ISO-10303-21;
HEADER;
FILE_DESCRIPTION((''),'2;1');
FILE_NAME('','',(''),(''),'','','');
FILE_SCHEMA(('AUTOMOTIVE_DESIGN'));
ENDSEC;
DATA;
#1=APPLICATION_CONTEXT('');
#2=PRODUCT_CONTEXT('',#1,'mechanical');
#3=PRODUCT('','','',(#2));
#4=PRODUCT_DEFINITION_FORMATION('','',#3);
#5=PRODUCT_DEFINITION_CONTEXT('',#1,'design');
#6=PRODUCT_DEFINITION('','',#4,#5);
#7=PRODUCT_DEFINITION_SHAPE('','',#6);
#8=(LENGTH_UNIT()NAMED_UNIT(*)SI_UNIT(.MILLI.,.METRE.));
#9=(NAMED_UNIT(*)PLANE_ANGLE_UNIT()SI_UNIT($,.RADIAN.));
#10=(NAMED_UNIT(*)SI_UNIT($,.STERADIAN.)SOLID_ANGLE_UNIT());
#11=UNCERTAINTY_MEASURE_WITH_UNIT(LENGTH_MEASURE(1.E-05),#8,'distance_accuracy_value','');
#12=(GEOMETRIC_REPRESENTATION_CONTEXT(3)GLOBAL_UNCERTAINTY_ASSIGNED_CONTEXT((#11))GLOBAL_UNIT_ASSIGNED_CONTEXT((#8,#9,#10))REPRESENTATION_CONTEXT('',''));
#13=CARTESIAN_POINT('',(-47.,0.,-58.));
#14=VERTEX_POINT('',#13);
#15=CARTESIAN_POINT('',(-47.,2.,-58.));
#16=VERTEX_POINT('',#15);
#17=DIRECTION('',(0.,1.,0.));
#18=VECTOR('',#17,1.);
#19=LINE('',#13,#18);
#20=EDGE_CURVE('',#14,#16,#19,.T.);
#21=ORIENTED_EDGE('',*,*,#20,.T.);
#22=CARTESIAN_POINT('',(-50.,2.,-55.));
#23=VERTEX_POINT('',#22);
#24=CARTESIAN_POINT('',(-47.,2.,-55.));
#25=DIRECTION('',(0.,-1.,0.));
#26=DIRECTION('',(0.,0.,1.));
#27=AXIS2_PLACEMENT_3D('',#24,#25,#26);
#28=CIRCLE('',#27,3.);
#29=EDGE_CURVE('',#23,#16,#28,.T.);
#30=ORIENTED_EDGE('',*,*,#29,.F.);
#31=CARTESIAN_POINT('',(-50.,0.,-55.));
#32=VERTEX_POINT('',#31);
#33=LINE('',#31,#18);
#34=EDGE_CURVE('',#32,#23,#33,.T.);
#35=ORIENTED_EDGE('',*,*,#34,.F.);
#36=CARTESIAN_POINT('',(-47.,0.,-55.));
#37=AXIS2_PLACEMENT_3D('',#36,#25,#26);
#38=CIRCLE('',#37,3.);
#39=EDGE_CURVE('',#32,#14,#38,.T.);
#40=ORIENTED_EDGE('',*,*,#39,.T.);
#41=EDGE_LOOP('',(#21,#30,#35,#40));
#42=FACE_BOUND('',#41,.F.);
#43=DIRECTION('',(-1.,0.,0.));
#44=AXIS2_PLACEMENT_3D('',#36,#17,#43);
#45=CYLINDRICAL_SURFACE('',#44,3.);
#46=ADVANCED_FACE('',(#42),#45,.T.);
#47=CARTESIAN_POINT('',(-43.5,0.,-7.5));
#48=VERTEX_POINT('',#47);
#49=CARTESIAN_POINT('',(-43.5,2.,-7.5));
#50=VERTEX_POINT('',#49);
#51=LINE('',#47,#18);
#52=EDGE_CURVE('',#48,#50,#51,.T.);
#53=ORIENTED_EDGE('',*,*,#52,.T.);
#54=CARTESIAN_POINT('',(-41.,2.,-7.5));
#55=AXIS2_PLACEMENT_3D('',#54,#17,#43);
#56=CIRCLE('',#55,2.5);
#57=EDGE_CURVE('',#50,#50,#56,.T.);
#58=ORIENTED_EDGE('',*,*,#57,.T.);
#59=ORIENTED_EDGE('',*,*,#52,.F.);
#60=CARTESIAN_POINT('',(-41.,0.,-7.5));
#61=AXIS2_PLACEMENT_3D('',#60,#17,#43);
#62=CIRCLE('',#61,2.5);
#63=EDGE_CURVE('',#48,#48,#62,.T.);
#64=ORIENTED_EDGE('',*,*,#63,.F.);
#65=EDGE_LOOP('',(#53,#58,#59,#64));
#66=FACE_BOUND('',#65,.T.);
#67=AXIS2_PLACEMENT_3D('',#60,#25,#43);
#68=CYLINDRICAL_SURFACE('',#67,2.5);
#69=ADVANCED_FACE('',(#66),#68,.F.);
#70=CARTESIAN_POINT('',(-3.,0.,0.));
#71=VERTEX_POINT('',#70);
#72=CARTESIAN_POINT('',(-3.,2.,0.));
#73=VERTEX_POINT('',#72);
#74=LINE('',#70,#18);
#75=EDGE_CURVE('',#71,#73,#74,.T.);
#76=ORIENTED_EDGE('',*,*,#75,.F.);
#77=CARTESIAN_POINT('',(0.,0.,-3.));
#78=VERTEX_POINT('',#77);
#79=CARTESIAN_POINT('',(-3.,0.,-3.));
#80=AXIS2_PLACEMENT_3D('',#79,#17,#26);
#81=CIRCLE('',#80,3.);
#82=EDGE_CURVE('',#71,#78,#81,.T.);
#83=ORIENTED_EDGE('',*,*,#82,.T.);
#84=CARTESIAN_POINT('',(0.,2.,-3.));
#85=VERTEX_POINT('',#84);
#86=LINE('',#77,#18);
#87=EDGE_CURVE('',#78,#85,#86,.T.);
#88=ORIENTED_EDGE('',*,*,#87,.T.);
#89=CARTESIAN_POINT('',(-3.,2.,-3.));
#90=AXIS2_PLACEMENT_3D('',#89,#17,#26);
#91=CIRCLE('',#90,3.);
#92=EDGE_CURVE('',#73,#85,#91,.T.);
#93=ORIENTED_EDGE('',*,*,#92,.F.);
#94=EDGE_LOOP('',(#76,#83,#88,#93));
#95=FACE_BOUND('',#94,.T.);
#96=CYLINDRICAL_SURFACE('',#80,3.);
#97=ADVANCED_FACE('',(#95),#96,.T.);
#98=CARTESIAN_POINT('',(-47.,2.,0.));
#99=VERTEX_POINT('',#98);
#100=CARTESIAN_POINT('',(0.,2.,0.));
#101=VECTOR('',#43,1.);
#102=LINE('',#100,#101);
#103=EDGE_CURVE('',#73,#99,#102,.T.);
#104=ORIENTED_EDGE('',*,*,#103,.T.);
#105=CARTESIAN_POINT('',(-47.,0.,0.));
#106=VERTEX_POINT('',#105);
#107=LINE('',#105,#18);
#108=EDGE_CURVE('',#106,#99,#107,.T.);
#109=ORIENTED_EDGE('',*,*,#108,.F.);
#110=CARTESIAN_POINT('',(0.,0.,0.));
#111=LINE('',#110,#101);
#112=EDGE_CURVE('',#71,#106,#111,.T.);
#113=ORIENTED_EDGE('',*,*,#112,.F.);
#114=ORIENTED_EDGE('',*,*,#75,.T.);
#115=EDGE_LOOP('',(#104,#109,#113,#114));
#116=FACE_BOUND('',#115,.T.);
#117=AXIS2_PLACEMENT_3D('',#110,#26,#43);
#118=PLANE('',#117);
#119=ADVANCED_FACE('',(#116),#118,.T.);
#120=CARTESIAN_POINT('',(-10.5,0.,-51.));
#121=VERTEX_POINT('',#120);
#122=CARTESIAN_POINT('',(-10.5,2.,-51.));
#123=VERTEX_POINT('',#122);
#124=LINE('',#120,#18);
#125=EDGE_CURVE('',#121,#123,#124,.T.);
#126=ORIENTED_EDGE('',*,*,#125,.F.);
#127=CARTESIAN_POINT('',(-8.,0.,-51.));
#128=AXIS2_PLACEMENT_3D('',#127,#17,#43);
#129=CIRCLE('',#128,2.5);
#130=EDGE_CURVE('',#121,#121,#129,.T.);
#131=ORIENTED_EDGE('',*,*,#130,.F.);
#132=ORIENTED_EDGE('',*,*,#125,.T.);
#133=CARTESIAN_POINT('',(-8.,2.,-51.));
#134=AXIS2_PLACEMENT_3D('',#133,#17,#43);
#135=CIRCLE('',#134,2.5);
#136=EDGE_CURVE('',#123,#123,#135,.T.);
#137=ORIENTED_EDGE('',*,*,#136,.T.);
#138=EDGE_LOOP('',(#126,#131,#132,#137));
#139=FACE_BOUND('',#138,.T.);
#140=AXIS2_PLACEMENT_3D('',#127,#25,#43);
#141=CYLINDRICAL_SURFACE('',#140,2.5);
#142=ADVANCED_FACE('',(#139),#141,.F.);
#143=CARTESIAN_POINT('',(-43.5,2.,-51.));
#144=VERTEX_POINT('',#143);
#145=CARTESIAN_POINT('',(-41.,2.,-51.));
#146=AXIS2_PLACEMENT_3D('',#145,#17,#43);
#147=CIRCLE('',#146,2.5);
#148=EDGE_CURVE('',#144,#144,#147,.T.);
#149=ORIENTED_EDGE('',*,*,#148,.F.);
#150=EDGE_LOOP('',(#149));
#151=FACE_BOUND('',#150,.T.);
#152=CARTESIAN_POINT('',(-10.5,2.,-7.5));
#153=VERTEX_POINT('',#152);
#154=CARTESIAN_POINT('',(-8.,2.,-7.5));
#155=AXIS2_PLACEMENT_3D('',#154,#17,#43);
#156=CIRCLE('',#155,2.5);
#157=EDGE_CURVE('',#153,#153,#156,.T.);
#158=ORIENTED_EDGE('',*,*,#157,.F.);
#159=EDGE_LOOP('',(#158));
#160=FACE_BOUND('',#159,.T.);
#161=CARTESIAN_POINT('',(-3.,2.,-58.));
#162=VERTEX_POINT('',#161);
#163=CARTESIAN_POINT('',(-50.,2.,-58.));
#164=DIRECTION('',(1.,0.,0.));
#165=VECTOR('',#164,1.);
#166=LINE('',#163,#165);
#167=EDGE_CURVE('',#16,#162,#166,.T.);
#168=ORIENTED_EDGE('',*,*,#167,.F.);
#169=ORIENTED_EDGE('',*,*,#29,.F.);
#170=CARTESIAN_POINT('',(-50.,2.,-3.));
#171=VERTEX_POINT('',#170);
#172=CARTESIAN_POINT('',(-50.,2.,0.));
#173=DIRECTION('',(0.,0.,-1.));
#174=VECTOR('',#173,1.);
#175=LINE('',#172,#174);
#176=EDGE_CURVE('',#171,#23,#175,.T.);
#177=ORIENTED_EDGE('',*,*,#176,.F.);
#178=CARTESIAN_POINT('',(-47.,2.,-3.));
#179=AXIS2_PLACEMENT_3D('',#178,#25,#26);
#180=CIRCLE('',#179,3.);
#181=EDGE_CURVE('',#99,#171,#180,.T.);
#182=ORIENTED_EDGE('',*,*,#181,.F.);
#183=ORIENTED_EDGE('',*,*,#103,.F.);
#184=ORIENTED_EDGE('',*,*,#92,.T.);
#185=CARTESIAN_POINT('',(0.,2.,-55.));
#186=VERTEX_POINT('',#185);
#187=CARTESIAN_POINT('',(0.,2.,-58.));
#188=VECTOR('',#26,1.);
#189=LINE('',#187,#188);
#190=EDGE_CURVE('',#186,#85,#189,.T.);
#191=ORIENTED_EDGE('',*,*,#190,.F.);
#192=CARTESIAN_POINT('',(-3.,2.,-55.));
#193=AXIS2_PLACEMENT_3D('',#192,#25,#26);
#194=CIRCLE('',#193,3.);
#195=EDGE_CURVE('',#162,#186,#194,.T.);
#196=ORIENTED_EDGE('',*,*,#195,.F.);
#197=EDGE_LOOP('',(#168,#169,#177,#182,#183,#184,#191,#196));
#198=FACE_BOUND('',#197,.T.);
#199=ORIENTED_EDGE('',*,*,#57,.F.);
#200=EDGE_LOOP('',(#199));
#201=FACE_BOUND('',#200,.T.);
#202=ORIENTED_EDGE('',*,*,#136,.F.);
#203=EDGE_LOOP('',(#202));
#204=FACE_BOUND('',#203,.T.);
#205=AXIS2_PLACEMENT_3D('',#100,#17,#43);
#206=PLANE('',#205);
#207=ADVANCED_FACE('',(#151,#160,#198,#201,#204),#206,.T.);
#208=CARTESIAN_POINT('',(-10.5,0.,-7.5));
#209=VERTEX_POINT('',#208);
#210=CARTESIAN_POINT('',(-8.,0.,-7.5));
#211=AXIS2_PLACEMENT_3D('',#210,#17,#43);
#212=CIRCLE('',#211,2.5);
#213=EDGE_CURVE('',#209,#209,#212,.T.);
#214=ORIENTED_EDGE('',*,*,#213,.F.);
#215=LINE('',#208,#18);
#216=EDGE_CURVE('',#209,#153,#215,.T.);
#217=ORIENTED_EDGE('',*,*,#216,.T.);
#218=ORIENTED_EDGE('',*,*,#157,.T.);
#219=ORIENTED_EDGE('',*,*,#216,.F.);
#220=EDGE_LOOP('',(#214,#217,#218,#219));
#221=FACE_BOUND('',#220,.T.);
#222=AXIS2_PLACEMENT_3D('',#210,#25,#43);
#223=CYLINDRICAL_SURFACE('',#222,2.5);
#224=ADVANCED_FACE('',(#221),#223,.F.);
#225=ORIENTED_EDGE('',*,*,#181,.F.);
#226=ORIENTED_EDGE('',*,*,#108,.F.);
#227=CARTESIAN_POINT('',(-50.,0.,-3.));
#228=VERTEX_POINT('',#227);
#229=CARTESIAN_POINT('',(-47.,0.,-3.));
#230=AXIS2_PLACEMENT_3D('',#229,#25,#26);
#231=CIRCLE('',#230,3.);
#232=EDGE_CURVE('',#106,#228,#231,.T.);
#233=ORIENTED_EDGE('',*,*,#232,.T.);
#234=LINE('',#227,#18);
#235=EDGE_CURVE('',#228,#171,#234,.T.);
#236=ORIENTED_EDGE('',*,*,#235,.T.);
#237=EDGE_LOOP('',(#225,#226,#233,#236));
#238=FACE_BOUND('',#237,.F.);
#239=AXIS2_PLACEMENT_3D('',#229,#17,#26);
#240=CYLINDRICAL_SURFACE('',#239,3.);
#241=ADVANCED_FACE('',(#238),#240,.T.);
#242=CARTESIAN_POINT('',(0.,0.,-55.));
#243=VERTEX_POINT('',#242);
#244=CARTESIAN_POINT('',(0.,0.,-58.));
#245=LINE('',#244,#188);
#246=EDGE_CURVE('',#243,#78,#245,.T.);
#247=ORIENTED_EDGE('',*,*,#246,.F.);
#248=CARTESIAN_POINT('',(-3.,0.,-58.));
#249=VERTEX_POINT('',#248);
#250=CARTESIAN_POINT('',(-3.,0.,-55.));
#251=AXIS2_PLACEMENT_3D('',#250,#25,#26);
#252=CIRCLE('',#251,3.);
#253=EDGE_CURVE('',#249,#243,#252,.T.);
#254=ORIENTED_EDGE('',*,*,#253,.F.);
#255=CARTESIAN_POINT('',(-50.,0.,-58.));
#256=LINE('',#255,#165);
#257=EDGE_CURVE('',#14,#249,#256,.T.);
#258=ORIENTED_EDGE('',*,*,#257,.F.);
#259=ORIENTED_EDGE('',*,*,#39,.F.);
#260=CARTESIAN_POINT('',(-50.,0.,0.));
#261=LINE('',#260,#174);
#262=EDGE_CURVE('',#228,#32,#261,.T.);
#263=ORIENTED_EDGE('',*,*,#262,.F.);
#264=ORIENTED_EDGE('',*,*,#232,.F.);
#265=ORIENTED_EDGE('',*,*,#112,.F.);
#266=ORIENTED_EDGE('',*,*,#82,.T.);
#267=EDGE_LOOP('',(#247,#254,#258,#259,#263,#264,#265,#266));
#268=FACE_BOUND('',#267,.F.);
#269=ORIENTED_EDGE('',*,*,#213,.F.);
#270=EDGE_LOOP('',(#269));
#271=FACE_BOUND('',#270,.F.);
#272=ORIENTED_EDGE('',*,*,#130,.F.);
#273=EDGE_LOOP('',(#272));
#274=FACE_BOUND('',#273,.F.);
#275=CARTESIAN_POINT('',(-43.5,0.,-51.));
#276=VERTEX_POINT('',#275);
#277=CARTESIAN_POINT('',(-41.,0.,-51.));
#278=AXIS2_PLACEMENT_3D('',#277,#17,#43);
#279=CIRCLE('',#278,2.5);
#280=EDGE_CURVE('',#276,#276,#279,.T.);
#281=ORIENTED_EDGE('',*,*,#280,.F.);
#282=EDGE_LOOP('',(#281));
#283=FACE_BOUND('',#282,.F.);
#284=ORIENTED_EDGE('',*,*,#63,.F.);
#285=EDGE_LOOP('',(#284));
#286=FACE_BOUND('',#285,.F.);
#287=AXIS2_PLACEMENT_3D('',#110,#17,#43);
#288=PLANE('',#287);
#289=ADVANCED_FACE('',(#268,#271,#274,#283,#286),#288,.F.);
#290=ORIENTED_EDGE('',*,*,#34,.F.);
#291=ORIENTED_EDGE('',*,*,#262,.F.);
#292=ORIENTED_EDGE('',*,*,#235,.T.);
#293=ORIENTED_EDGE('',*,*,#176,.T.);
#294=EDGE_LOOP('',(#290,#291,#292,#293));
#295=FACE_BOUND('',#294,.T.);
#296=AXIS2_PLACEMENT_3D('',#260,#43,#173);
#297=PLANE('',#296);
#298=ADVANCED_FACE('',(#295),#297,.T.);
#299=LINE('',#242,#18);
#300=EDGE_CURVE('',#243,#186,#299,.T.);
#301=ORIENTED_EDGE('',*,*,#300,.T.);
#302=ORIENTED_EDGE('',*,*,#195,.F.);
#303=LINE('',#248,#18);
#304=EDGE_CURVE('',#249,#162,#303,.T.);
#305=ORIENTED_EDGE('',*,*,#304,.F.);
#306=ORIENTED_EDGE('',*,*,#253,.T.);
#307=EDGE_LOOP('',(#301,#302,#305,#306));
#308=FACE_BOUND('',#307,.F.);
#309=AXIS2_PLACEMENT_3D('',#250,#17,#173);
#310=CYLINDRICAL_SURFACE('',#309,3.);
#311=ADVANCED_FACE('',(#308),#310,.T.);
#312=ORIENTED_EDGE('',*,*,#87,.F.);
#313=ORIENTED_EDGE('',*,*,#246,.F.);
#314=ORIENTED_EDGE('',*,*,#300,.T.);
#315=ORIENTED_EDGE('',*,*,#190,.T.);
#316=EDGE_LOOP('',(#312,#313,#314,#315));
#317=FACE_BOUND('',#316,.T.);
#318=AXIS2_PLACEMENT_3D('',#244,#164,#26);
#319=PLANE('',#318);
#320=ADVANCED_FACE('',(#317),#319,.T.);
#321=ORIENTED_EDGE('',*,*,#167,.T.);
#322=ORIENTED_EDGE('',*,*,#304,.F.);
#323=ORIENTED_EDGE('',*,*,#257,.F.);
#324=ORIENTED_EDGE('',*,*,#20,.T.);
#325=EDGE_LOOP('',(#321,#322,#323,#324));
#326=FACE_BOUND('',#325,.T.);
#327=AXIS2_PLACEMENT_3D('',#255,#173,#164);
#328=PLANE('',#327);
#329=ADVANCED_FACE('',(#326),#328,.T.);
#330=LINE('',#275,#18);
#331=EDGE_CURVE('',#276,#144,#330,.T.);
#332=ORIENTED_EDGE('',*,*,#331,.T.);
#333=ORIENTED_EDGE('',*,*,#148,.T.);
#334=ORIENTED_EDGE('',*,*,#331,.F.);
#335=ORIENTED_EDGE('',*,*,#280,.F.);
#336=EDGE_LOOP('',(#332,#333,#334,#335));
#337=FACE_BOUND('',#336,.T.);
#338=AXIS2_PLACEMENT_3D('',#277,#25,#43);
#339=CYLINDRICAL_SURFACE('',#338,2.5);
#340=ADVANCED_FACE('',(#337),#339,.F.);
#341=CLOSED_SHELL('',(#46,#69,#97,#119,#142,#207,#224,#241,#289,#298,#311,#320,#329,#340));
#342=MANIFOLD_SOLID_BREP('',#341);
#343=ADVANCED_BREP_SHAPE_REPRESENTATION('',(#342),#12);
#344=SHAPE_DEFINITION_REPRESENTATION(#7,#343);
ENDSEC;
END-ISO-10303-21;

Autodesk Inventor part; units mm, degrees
ref_plane "YZ Plane" through (0, 0, 0) normal (1, 0, 0) x (0, 1, 0)
ref_plane "XZ Plane" through (0, 0, 0) normal (0, 1, 0) x (-1, 0, 0)
ref_plane "XY Plane" through (0, 0, 0) normal (0, 0, 1) x (1, 0, 0)
sketch "Sketch1" plane through (0, 0, 0) normal (0, 1, 0) x (-1, 0, 0)
  line L0 (0, 0) -> (50, 0)
  line L1 (50, 0) -> (50, -58)
  line L2 (50, -58) -> (0, -58)
  line L3 (0, -58) -> (0, 0)
  circle A0 centre (41, -7.5) radius 2.5
  circle A1 centre (41, -51) radius 2.5
  circle A2 centre (8, -51) radius 2.5
  circle A3 centre (8, -7.5) radius 2.5
  dimension "d0" = 50
  dimension "d1" = 58
  dimension "d2" = 5
  dimension "d3" = 5
  dimension "d4" = 5
  dimension "d5" = 5
  dimension "d6" = 8
  dimension "d7" = 8
  dimension "d8" = 33
  dimension "d9" = 33
  dimension "d10" = 7
  dimension "d11" = 7
  dimension "d14" = 43.5
  dimension "d15" = 43.5
extrude "Extrusion1" add sketch "Sketch1" along normal blind 2
fillet "Fillet1" radius 3 4 edges at (-50, 1, -58) (0, 1, -58) (0, 1, 0) (-50, 1, 0)
properties part number "PCB_design"
